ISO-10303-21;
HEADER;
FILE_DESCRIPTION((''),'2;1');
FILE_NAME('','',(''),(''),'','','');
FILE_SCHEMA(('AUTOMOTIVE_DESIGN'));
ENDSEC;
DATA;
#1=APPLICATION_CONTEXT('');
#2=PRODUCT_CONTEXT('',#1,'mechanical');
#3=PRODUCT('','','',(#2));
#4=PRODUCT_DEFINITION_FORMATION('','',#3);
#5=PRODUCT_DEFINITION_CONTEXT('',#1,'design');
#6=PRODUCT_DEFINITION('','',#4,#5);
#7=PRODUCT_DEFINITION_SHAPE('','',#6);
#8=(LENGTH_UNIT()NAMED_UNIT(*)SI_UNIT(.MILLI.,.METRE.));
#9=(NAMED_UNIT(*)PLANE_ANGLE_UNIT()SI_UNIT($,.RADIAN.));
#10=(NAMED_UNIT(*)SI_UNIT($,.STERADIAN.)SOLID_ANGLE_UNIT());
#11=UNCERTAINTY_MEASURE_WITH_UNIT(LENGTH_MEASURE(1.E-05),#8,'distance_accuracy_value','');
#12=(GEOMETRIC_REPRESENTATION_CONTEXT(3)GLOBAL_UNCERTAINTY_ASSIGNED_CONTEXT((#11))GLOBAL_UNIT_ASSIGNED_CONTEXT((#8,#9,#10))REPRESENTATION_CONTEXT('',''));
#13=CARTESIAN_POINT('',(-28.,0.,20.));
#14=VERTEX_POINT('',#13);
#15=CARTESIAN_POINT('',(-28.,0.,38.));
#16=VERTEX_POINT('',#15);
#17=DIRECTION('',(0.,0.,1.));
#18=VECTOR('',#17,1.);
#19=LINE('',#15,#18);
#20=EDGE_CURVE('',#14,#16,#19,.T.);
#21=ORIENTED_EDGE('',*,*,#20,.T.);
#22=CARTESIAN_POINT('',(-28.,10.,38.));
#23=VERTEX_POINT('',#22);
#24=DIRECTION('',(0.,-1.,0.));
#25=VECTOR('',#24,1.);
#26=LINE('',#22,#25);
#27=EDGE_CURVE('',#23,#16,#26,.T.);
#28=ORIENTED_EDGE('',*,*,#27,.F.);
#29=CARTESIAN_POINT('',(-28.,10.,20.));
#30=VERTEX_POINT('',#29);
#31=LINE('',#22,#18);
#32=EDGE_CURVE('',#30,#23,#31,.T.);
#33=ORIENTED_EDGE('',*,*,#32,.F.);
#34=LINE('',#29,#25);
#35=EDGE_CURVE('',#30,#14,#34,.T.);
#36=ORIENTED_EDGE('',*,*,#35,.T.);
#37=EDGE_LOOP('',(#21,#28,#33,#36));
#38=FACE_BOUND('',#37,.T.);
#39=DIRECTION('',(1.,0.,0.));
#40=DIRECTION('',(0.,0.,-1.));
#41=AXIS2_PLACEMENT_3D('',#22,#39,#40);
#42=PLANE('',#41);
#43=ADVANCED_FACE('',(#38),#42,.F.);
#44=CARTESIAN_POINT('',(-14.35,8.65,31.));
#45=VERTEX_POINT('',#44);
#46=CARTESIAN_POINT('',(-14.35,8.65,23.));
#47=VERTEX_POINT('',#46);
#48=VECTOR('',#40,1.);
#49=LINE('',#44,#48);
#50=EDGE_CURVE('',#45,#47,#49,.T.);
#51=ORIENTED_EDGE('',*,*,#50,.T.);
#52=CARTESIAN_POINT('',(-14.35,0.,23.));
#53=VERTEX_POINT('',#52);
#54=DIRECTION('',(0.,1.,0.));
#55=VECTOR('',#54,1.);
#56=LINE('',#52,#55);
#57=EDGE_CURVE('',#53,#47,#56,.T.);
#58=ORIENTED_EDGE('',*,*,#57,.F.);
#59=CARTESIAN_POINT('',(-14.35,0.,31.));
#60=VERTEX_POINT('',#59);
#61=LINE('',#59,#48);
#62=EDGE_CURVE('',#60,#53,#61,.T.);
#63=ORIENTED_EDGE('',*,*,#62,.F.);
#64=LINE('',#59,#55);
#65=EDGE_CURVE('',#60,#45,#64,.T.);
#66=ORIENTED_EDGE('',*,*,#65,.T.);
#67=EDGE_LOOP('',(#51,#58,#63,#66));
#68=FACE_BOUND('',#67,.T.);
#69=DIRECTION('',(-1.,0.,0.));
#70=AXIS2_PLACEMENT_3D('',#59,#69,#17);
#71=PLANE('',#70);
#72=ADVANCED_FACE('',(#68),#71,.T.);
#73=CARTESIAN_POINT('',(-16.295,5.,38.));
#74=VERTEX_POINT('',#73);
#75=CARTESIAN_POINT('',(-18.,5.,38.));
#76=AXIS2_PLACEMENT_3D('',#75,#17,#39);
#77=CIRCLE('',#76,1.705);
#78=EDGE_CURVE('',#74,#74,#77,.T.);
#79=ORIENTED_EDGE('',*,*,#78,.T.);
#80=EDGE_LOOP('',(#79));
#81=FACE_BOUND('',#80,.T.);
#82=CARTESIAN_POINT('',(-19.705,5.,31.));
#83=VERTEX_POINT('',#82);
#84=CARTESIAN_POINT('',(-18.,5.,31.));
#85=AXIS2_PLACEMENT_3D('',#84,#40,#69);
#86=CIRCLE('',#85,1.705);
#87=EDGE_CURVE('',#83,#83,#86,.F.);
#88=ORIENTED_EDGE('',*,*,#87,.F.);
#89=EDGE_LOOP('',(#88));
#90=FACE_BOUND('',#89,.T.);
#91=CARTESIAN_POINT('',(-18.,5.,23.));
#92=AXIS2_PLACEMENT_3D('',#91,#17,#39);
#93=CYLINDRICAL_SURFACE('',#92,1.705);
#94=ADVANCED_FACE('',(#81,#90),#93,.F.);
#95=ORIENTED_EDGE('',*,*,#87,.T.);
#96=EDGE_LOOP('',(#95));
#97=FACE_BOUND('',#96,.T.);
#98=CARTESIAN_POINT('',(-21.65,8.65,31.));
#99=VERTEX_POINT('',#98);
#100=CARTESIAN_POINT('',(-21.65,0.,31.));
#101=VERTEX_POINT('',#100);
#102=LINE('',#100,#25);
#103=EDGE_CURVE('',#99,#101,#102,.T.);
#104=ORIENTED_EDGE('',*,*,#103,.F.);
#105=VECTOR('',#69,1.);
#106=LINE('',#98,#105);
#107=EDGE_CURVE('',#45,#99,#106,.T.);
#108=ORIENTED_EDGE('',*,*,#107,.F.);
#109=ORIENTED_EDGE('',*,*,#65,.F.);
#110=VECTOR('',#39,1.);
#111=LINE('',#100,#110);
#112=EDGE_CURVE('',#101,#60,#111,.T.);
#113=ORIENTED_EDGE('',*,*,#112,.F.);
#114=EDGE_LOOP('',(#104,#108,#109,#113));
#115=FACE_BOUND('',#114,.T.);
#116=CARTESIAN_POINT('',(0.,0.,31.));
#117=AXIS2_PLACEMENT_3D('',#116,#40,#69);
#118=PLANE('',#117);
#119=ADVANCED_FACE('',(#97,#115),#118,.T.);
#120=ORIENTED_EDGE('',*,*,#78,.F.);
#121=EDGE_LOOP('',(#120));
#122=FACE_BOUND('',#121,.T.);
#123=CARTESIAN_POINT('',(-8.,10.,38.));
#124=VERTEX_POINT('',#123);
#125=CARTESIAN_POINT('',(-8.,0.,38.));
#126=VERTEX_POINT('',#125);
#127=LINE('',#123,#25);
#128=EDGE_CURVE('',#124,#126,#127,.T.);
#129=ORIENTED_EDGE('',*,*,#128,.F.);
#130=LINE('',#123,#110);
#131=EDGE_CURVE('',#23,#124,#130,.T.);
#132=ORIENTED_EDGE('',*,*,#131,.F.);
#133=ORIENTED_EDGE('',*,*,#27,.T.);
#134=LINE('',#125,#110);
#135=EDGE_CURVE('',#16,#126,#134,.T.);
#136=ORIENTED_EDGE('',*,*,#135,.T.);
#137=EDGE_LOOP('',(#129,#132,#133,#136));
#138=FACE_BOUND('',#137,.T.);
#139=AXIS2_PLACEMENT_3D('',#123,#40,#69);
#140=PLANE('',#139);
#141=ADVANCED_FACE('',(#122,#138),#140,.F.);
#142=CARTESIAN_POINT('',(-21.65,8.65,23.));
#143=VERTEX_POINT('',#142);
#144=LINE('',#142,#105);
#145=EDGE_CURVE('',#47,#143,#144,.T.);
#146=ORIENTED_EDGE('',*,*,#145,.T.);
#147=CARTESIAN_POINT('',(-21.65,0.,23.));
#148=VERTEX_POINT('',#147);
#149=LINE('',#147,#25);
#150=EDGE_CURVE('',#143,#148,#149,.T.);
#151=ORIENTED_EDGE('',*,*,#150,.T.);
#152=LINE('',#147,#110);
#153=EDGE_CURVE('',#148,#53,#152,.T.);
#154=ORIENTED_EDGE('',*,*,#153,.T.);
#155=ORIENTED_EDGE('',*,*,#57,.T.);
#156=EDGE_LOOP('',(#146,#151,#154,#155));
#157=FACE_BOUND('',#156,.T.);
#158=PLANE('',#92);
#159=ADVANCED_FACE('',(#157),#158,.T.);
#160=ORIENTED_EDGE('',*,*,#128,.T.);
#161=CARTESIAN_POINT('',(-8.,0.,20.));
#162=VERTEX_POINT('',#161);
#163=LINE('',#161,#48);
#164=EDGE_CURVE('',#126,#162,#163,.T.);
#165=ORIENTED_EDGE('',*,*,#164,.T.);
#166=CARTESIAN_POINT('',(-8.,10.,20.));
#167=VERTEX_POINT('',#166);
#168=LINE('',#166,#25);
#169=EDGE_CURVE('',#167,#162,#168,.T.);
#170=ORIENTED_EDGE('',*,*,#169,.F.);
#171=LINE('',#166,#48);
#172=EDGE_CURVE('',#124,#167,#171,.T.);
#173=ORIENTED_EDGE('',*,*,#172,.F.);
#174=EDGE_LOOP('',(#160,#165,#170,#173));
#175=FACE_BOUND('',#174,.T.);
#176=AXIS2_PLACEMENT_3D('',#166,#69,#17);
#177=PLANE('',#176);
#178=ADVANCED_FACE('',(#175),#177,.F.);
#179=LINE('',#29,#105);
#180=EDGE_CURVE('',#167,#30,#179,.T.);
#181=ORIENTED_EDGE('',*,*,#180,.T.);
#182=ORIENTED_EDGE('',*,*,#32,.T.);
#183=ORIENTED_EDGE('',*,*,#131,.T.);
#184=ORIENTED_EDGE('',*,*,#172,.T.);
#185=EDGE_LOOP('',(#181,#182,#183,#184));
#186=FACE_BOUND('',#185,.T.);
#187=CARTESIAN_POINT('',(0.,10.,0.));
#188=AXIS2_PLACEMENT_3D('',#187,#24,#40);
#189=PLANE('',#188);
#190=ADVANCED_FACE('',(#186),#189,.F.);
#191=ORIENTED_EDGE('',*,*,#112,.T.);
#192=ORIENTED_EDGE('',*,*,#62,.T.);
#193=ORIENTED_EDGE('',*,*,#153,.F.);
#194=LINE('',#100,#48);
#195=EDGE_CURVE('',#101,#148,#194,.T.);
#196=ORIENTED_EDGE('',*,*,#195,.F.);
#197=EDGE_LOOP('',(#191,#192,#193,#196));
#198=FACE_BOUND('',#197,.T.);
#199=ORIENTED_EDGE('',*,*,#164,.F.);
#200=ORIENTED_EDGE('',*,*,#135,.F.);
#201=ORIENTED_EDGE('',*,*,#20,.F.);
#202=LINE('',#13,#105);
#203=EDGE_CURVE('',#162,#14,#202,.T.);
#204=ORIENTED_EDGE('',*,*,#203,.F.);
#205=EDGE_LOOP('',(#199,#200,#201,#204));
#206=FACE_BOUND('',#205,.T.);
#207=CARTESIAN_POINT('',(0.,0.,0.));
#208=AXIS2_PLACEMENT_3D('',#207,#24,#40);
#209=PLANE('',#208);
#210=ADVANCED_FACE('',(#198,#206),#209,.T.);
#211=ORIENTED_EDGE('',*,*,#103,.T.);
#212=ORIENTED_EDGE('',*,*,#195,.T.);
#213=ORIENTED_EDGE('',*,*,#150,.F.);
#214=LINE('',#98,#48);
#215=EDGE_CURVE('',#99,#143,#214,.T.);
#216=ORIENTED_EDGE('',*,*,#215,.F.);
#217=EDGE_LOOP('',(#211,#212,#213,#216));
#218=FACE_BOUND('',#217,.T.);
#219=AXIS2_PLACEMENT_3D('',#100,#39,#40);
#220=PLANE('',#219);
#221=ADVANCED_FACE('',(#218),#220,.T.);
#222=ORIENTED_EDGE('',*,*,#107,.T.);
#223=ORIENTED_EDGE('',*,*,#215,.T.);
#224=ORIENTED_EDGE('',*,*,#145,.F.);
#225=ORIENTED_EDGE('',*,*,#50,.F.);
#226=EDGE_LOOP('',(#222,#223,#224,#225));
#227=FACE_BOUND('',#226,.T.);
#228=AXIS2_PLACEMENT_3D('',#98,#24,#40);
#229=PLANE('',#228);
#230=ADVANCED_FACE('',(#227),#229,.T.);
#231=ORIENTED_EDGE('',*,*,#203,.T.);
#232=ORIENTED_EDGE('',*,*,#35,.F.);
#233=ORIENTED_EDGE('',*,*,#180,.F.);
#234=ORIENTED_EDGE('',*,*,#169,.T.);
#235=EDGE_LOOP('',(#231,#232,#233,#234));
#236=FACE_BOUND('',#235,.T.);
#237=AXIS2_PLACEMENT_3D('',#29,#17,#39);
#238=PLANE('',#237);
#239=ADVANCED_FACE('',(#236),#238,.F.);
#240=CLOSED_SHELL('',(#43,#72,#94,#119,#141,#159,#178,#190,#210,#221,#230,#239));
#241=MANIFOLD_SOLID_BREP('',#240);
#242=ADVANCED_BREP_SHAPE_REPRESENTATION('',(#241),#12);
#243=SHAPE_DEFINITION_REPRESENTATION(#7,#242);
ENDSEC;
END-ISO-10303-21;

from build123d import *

# Parameters (mm, degrees)
SKETCH1_W           = 20
SKETCH1_H           = 18
BOSS_EXTRUDE1_DEPTH = 10
SKETCH2_R           = 1.705
CUT_EXTRUDE1_DEPTH  = 15
SKETCH3_W           = 7.3
SKETCH3_H           = 8.65
CUT_EXTRUDE2_DEPTH  = 8


with BuildPart() as part:
    # Sketch1 → Boss-Extrude1 (new body)
    with BuildSketch(Plane(origin=(0, 0, 0), x_dir=(1, 0, 0), z_dir=(0, 1, 0))):
        with Locations((-18, -29)):
            Rectangle(SKETCH1_W, SKETCH1_H)
    extrude(amount=BOSS_EXTRUDE1_DEPTH)

    # Sketch2 → Cut-Extrude1 (cut)
    with BuildSketch(Plane.XY.offset(38)):
        with Locations((-18, 5)):
            Circle(SKETCH2_R)
    extrude(amount=-CUT_EXTRUDE1_DEPTH, mode=Mode.SUBTRACT)

    # Sketch3 → Cut-Extrude2 (cut)
    with BuildSketch(Plane.XY.offset(23)):
        with Locations((-18, 4.325)):
            Rectangle(SKETCH3_W, SKETCH3_H)
    extrude(amount=CUT_EXTRUDE2_DEPTH, mode=Mode.SUBTRACT)


solid = part.part
